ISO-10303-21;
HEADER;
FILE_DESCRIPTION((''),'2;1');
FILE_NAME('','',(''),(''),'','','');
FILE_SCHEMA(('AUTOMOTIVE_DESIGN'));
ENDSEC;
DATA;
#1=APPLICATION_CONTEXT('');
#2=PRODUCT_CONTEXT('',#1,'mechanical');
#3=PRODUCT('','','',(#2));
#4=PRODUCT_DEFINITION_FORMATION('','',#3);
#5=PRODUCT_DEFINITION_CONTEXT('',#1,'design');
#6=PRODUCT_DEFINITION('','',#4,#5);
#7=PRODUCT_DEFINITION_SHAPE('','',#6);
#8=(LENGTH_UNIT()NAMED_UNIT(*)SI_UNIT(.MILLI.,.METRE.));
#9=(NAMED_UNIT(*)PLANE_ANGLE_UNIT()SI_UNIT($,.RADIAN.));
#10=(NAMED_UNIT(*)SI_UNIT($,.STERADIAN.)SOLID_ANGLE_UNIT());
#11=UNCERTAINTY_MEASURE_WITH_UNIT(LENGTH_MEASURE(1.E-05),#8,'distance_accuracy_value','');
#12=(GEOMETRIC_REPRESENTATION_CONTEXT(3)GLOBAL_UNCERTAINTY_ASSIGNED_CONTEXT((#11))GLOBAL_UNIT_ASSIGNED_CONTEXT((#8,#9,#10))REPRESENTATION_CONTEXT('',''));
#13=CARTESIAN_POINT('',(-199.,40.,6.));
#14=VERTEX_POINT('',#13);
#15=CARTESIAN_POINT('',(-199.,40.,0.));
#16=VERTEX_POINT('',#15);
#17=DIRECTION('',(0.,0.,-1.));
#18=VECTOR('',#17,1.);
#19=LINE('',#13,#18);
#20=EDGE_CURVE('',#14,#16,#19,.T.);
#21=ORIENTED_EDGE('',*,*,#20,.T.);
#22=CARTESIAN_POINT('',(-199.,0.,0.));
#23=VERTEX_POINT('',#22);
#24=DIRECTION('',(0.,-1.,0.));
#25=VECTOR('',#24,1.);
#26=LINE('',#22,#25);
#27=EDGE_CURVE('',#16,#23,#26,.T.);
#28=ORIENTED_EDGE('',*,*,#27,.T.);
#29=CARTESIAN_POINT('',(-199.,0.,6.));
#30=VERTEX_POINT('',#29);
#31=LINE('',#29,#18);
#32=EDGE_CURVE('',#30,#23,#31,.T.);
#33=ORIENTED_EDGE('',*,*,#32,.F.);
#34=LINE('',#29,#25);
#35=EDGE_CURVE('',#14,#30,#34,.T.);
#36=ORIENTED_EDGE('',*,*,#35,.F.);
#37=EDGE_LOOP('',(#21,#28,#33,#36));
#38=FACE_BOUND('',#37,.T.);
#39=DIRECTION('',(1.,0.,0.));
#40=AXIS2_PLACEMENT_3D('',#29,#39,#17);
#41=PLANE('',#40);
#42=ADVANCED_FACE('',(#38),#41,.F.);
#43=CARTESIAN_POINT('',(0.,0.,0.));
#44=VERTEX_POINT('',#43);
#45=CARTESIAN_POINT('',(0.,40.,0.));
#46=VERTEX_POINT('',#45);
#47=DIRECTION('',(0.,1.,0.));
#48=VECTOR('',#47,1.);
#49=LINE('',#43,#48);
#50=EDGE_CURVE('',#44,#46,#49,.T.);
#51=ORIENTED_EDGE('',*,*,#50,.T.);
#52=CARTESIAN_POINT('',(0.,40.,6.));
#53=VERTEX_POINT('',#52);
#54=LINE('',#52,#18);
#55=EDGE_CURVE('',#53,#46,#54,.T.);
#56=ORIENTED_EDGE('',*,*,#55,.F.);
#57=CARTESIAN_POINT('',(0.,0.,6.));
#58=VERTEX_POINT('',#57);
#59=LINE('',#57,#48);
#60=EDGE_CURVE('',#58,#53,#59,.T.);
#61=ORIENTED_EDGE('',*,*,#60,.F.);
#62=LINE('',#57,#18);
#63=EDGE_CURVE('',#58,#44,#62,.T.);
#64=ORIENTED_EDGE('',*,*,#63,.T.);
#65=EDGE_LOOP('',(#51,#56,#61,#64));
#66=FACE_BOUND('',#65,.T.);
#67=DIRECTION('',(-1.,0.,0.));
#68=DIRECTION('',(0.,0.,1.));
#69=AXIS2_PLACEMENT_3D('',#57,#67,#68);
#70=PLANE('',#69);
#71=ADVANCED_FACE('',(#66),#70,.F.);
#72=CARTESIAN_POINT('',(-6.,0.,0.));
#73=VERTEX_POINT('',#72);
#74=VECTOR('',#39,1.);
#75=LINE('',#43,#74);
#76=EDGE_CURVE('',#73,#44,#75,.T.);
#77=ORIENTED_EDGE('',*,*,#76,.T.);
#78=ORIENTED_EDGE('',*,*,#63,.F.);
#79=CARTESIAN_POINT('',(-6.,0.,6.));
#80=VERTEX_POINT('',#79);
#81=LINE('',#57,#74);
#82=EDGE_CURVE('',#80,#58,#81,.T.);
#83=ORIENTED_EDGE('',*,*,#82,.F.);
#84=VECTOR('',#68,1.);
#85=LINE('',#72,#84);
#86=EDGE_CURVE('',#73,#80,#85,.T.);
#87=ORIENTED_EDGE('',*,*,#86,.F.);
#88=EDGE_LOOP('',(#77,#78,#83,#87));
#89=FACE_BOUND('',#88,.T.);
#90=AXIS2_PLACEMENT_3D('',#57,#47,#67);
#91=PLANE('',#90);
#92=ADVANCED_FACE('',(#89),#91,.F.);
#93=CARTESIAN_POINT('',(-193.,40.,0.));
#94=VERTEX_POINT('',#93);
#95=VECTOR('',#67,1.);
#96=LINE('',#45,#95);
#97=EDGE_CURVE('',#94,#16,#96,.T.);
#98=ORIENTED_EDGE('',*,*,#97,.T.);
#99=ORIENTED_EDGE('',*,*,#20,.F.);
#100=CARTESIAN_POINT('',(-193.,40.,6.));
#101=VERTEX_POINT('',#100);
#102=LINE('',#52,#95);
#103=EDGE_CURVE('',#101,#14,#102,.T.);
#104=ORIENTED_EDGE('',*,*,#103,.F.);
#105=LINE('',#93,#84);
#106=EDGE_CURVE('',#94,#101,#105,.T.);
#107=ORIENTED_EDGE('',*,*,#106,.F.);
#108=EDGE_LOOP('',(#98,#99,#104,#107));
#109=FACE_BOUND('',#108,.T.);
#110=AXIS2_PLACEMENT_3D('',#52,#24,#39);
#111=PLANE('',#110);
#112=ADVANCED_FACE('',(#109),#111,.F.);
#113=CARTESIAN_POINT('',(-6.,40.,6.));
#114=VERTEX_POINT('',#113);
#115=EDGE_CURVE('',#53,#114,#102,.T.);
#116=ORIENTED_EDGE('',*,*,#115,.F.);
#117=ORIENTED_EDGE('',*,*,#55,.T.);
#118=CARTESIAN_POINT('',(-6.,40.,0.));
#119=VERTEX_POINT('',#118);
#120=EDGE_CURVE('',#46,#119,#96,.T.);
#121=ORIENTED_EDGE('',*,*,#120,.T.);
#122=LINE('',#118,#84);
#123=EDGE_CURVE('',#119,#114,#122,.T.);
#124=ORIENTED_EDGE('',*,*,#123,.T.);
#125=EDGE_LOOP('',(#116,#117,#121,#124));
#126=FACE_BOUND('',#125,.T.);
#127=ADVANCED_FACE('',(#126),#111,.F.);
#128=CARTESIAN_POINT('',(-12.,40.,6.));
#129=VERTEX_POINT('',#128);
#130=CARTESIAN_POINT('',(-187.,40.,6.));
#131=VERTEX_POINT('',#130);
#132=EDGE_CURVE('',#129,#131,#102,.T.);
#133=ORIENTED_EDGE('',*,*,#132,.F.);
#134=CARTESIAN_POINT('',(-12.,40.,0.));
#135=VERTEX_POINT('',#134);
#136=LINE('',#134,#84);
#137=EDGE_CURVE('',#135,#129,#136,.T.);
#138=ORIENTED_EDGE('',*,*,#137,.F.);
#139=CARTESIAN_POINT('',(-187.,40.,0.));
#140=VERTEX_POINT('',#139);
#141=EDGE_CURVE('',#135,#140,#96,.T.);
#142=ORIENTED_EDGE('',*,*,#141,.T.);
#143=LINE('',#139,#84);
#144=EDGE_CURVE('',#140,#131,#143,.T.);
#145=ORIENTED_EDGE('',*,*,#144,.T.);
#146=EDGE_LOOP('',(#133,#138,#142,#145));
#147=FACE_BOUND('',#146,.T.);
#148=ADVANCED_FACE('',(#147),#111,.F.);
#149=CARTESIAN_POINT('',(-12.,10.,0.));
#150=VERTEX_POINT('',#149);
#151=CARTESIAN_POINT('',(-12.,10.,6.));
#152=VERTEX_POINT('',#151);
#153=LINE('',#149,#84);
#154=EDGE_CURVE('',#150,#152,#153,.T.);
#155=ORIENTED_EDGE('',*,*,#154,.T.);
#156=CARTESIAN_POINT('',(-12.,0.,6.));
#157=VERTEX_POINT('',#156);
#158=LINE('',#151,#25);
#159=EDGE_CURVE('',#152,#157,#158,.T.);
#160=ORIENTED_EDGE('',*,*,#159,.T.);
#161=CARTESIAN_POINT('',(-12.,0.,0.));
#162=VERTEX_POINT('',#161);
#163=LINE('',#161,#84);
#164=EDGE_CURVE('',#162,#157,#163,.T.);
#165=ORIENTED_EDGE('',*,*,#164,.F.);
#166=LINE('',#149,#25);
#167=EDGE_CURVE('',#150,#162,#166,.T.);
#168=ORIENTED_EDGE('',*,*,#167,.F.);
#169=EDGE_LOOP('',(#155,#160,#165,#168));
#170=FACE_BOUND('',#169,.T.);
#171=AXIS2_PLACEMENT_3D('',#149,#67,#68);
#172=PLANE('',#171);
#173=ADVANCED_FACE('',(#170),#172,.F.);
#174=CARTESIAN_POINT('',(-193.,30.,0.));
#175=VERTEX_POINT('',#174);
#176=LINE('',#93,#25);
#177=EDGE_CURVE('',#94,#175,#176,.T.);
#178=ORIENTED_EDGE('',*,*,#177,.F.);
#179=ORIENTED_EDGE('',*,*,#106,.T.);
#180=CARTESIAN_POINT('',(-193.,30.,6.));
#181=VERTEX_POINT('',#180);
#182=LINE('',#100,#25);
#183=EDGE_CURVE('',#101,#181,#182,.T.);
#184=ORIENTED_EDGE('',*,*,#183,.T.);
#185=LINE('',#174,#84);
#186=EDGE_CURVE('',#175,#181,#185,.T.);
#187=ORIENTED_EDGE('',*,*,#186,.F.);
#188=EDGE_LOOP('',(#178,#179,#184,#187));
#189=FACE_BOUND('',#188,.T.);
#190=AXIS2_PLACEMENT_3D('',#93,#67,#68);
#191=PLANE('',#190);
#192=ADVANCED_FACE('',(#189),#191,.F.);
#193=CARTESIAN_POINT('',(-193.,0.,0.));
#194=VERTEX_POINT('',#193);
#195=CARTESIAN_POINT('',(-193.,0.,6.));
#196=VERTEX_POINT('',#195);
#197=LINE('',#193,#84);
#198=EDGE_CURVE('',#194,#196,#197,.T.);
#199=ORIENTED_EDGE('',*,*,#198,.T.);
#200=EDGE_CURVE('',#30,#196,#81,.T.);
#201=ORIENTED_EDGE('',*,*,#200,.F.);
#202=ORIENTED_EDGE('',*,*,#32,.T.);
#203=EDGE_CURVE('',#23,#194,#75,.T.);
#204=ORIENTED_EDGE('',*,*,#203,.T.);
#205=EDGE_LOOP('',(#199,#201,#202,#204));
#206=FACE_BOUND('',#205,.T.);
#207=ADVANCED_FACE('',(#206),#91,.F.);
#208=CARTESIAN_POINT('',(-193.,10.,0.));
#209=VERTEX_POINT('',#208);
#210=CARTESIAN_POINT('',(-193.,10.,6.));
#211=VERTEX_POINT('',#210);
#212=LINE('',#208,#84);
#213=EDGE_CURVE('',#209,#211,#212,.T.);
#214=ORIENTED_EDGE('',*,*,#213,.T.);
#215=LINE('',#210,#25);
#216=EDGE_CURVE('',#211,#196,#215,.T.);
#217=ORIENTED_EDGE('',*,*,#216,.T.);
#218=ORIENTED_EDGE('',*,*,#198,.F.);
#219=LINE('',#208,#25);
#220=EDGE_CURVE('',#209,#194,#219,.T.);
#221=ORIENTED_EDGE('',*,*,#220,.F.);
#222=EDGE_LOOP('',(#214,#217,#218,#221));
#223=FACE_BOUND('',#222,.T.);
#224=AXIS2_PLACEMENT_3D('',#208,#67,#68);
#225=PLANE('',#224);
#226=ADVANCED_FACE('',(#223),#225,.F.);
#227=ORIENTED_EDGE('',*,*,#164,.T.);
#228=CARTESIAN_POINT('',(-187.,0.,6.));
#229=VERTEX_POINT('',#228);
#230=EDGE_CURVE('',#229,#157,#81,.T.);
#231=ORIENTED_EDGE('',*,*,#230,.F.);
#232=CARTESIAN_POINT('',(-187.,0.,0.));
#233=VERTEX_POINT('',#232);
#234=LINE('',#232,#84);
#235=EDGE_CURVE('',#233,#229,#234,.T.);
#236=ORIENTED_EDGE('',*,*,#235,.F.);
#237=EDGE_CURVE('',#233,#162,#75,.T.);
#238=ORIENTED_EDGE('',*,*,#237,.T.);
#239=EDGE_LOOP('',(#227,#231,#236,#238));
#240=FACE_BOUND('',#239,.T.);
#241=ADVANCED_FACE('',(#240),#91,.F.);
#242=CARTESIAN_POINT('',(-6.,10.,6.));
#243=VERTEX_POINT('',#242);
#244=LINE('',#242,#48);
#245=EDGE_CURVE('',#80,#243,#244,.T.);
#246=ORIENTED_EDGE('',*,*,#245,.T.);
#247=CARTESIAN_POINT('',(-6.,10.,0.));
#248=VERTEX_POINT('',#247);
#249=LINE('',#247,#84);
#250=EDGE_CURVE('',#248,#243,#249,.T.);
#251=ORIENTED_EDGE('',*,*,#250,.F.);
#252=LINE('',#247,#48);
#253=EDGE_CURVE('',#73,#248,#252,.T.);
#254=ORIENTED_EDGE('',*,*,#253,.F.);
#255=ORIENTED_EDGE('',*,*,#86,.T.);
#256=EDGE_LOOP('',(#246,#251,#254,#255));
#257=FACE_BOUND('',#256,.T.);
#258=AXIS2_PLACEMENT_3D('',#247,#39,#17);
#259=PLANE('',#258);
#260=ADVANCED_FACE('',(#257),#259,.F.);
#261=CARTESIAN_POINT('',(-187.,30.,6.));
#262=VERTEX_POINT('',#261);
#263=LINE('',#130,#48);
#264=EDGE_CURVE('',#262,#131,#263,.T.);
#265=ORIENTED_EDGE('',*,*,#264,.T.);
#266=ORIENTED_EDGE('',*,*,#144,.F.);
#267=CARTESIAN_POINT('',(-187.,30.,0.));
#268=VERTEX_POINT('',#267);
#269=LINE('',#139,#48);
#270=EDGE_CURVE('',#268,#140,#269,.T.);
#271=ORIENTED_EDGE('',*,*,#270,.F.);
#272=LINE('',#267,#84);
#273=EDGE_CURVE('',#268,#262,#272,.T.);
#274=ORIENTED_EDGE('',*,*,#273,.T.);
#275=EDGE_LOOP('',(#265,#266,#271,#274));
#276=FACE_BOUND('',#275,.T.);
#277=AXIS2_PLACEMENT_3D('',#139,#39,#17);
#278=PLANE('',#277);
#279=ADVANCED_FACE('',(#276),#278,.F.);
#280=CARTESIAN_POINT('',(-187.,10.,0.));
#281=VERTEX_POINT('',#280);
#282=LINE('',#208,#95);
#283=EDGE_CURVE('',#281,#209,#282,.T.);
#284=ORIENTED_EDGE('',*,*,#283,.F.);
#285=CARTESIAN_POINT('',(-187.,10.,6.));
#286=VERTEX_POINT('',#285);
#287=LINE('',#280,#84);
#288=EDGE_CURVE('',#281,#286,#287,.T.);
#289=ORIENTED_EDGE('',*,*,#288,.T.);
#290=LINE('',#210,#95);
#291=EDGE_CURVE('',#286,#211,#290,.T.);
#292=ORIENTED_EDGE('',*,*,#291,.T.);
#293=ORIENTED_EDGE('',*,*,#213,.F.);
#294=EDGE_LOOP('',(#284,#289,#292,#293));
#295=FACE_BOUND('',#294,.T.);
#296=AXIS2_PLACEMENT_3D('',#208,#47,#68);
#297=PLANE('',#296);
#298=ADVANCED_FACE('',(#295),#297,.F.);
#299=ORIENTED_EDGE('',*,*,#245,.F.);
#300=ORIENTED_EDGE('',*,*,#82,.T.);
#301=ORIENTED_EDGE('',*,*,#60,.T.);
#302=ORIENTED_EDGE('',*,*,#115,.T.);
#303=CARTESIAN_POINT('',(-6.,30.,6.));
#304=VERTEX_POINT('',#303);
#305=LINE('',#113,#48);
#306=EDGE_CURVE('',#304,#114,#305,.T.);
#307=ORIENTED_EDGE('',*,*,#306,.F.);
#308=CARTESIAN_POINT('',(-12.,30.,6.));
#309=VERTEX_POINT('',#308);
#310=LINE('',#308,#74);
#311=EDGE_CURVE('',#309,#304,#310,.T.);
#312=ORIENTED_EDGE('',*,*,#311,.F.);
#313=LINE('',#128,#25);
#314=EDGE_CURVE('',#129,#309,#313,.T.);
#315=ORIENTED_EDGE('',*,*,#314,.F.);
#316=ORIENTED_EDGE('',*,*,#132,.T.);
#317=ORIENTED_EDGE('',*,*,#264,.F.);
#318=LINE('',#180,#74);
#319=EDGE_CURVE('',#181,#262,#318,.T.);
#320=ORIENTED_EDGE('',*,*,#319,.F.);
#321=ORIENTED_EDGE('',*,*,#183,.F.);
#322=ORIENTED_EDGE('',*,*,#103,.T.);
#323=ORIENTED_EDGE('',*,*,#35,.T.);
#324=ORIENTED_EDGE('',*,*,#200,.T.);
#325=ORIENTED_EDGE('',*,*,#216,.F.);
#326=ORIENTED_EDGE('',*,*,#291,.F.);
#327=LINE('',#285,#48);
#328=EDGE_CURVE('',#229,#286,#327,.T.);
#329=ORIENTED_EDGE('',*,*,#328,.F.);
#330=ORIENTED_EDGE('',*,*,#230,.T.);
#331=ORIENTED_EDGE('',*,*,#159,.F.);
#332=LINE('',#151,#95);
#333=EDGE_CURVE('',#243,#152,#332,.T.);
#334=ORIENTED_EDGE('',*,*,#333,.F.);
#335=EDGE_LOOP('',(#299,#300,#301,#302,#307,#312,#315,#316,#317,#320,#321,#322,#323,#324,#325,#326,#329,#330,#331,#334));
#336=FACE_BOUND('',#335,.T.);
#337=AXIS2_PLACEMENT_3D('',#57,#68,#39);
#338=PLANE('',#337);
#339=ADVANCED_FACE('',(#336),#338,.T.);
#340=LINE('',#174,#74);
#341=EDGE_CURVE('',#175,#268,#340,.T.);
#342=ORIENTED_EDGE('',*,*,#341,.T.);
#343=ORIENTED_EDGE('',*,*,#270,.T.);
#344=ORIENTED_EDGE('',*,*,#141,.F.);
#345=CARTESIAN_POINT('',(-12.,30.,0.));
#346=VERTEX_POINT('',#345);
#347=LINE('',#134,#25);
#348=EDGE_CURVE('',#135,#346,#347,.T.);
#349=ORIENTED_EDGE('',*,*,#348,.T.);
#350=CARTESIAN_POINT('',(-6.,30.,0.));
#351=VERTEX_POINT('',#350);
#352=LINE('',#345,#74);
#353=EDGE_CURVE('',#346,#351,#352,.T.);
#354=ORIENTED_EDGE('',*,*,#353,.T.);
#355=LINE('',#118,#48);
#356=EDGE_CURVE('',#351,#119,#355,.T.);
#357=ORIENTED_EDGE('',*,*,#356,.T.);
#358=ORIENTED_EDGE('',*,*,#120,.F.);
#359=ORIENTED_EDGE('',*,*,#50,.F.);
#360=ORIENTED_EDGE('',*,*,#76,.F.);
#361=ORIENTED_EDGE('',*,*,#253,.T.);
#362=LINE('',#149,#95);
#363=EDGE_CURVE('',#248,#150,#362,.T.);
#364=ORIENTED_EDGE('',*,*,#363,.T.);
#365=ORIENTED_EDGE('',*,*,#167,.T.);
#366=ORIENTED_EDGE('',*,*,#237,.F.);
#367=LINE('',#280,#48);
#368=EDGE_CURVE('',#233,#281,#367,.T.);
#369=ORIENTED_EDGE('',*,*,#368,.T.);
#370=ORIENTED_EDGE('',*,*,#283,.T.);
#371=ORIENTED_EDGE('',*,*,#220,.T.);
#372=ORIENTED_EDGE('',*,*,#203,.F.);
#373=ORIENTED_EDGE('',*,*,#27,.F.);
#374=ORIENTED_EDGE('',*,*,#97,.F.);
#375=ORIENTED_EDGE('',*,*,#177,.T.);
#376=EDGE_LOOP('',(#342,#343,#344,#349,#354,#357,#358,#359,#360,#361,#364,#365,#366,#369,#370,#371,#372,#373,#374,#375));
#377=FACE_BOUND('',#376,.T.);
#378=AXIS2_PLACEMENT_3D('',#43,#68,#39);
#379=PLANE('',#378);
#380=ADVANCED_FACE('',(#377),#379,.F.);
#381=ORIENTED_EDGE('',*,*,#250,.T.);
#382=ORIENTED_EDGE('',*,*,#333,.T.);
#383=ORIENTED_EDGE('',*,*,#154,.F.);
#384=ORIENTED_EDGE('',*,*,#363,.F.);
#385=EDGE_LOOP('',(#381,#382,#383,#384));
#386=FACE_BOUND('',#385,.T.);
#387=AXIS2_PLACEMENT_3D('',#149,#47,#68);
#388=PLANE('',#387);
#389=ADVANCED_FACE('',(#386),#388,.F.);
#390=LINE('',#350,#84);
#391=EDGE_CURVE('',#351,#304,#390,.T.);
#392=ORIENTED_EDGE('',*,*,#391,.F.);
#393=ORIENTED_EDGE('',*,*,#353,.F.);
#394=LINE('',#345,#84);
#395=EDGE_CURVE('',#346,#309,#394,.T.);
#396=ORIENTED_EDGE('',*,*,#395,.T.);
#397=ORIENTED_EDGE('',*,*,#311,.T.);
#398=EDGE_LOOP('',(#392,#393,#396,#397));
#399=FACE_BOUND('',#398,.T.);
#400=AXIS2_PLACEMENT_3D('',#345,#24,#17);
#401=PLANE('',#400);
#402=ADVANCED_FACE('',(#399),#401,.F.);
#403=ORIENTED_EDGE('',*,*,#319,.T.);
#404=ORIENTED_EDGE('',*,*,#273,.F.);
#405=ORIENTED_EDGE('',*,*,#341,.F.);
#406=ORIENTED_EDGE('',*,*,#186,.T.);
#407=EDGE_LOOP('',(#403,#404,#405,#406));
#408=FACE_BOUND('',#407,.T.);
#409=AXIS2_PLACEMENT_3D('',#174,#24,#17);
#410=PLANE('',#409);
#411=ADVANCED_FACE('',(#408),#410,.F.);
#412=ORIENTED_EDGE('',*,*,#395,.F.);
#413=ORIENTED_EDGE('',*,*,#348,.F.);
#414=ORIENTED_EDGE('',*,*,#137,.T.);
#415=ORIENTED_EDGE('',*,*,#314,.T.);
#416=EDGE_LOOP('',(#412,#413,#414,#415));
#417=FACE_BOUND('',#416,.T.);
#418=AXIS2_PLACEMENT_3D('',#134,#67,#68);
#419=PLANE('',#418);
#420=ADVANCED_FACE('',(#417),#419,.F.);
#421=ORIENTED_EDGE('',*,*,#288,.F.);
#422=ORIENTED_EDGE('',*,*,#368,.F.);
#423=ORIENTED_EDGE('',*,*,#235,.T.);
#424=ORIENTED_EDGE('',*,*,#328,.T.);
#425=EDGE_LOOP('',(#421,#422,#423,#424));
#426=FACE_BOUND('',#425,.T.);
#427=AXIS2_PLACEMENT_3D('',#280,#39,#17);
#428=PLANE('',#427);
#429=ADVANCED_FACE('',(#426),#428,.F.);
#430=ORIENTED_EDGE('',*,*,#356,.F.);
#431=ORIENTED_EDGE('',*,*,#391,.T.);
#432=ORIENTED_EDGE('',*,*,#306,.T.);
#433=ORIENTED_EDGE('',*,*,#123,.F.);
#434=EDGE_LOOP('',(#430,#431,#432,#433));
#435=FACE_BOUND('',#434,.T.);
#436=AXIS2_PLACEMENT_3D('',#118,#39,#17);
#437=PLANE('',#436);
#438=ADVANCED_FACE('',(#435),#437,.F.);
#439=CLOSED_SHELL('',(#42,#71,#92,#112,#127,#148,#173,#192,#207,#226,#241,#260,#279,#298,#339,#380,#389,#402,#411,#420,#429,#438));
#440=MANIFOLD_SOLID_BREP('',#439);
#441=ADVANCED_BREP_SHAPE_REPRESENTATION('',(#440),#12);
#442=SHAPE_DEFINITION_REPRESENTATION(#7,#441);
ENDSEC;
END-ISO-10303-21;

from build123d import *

# Parameters (mm, degrees)
SKETCH1_W            = 199
SKETCH1_H            = 40
BOSS_EXTRUDE1_DEPTH  = 6
SKETCH2_W            = 6
SKETCH2_H            = 10
CUT_EXTRUDE1_DEPTH   = 204.068953806
LPATTERN1_COUNT      = 2
LPATTERN1_PITCH      = 181
LPATTERN1_COUNT_DIR2 = 2
LPATTERN1_PITCH_DIR2 = 30


with BuildPart() as part:
    # Sketch1 → Boss-Extrude1 (new body)
    with BuildSketch(Plane.XY):
        with Locations((-99.5, 20)):
            Rectangle(SKETCH1_W, SKETCH1_H)
    extrude(amount=BOSS_EXTRUDE1_DEPTH)

    # Sketch2 → Cut-Extrude1 (cut, through all)
    with BuildSketch(Plane.XY.offset(6)):
        with Locations((-190, 35)):
            Rectangle(SKETCH2_W, SKETCH2_H)
    cut_extrude1 = extrude(amount=-CUT_EXTRUDE1_DEPTH, mode=Mode.SUBTRACT)

    # LPattern1: Cut-Extrude1 2 × 2
    with Locations(*[(i * LPATTERN1_PITCH, -j * LPATTERN1_PITCH_DIR2, 0) for i in range(LPATTERN1_COUNT) for j in range(LPATTERN1_COUNT_DIR2) if (i, j) != (0, 0)]):
        add(cut_extrude1, mode=Mode.SUBTRACT)


solid = part.part
